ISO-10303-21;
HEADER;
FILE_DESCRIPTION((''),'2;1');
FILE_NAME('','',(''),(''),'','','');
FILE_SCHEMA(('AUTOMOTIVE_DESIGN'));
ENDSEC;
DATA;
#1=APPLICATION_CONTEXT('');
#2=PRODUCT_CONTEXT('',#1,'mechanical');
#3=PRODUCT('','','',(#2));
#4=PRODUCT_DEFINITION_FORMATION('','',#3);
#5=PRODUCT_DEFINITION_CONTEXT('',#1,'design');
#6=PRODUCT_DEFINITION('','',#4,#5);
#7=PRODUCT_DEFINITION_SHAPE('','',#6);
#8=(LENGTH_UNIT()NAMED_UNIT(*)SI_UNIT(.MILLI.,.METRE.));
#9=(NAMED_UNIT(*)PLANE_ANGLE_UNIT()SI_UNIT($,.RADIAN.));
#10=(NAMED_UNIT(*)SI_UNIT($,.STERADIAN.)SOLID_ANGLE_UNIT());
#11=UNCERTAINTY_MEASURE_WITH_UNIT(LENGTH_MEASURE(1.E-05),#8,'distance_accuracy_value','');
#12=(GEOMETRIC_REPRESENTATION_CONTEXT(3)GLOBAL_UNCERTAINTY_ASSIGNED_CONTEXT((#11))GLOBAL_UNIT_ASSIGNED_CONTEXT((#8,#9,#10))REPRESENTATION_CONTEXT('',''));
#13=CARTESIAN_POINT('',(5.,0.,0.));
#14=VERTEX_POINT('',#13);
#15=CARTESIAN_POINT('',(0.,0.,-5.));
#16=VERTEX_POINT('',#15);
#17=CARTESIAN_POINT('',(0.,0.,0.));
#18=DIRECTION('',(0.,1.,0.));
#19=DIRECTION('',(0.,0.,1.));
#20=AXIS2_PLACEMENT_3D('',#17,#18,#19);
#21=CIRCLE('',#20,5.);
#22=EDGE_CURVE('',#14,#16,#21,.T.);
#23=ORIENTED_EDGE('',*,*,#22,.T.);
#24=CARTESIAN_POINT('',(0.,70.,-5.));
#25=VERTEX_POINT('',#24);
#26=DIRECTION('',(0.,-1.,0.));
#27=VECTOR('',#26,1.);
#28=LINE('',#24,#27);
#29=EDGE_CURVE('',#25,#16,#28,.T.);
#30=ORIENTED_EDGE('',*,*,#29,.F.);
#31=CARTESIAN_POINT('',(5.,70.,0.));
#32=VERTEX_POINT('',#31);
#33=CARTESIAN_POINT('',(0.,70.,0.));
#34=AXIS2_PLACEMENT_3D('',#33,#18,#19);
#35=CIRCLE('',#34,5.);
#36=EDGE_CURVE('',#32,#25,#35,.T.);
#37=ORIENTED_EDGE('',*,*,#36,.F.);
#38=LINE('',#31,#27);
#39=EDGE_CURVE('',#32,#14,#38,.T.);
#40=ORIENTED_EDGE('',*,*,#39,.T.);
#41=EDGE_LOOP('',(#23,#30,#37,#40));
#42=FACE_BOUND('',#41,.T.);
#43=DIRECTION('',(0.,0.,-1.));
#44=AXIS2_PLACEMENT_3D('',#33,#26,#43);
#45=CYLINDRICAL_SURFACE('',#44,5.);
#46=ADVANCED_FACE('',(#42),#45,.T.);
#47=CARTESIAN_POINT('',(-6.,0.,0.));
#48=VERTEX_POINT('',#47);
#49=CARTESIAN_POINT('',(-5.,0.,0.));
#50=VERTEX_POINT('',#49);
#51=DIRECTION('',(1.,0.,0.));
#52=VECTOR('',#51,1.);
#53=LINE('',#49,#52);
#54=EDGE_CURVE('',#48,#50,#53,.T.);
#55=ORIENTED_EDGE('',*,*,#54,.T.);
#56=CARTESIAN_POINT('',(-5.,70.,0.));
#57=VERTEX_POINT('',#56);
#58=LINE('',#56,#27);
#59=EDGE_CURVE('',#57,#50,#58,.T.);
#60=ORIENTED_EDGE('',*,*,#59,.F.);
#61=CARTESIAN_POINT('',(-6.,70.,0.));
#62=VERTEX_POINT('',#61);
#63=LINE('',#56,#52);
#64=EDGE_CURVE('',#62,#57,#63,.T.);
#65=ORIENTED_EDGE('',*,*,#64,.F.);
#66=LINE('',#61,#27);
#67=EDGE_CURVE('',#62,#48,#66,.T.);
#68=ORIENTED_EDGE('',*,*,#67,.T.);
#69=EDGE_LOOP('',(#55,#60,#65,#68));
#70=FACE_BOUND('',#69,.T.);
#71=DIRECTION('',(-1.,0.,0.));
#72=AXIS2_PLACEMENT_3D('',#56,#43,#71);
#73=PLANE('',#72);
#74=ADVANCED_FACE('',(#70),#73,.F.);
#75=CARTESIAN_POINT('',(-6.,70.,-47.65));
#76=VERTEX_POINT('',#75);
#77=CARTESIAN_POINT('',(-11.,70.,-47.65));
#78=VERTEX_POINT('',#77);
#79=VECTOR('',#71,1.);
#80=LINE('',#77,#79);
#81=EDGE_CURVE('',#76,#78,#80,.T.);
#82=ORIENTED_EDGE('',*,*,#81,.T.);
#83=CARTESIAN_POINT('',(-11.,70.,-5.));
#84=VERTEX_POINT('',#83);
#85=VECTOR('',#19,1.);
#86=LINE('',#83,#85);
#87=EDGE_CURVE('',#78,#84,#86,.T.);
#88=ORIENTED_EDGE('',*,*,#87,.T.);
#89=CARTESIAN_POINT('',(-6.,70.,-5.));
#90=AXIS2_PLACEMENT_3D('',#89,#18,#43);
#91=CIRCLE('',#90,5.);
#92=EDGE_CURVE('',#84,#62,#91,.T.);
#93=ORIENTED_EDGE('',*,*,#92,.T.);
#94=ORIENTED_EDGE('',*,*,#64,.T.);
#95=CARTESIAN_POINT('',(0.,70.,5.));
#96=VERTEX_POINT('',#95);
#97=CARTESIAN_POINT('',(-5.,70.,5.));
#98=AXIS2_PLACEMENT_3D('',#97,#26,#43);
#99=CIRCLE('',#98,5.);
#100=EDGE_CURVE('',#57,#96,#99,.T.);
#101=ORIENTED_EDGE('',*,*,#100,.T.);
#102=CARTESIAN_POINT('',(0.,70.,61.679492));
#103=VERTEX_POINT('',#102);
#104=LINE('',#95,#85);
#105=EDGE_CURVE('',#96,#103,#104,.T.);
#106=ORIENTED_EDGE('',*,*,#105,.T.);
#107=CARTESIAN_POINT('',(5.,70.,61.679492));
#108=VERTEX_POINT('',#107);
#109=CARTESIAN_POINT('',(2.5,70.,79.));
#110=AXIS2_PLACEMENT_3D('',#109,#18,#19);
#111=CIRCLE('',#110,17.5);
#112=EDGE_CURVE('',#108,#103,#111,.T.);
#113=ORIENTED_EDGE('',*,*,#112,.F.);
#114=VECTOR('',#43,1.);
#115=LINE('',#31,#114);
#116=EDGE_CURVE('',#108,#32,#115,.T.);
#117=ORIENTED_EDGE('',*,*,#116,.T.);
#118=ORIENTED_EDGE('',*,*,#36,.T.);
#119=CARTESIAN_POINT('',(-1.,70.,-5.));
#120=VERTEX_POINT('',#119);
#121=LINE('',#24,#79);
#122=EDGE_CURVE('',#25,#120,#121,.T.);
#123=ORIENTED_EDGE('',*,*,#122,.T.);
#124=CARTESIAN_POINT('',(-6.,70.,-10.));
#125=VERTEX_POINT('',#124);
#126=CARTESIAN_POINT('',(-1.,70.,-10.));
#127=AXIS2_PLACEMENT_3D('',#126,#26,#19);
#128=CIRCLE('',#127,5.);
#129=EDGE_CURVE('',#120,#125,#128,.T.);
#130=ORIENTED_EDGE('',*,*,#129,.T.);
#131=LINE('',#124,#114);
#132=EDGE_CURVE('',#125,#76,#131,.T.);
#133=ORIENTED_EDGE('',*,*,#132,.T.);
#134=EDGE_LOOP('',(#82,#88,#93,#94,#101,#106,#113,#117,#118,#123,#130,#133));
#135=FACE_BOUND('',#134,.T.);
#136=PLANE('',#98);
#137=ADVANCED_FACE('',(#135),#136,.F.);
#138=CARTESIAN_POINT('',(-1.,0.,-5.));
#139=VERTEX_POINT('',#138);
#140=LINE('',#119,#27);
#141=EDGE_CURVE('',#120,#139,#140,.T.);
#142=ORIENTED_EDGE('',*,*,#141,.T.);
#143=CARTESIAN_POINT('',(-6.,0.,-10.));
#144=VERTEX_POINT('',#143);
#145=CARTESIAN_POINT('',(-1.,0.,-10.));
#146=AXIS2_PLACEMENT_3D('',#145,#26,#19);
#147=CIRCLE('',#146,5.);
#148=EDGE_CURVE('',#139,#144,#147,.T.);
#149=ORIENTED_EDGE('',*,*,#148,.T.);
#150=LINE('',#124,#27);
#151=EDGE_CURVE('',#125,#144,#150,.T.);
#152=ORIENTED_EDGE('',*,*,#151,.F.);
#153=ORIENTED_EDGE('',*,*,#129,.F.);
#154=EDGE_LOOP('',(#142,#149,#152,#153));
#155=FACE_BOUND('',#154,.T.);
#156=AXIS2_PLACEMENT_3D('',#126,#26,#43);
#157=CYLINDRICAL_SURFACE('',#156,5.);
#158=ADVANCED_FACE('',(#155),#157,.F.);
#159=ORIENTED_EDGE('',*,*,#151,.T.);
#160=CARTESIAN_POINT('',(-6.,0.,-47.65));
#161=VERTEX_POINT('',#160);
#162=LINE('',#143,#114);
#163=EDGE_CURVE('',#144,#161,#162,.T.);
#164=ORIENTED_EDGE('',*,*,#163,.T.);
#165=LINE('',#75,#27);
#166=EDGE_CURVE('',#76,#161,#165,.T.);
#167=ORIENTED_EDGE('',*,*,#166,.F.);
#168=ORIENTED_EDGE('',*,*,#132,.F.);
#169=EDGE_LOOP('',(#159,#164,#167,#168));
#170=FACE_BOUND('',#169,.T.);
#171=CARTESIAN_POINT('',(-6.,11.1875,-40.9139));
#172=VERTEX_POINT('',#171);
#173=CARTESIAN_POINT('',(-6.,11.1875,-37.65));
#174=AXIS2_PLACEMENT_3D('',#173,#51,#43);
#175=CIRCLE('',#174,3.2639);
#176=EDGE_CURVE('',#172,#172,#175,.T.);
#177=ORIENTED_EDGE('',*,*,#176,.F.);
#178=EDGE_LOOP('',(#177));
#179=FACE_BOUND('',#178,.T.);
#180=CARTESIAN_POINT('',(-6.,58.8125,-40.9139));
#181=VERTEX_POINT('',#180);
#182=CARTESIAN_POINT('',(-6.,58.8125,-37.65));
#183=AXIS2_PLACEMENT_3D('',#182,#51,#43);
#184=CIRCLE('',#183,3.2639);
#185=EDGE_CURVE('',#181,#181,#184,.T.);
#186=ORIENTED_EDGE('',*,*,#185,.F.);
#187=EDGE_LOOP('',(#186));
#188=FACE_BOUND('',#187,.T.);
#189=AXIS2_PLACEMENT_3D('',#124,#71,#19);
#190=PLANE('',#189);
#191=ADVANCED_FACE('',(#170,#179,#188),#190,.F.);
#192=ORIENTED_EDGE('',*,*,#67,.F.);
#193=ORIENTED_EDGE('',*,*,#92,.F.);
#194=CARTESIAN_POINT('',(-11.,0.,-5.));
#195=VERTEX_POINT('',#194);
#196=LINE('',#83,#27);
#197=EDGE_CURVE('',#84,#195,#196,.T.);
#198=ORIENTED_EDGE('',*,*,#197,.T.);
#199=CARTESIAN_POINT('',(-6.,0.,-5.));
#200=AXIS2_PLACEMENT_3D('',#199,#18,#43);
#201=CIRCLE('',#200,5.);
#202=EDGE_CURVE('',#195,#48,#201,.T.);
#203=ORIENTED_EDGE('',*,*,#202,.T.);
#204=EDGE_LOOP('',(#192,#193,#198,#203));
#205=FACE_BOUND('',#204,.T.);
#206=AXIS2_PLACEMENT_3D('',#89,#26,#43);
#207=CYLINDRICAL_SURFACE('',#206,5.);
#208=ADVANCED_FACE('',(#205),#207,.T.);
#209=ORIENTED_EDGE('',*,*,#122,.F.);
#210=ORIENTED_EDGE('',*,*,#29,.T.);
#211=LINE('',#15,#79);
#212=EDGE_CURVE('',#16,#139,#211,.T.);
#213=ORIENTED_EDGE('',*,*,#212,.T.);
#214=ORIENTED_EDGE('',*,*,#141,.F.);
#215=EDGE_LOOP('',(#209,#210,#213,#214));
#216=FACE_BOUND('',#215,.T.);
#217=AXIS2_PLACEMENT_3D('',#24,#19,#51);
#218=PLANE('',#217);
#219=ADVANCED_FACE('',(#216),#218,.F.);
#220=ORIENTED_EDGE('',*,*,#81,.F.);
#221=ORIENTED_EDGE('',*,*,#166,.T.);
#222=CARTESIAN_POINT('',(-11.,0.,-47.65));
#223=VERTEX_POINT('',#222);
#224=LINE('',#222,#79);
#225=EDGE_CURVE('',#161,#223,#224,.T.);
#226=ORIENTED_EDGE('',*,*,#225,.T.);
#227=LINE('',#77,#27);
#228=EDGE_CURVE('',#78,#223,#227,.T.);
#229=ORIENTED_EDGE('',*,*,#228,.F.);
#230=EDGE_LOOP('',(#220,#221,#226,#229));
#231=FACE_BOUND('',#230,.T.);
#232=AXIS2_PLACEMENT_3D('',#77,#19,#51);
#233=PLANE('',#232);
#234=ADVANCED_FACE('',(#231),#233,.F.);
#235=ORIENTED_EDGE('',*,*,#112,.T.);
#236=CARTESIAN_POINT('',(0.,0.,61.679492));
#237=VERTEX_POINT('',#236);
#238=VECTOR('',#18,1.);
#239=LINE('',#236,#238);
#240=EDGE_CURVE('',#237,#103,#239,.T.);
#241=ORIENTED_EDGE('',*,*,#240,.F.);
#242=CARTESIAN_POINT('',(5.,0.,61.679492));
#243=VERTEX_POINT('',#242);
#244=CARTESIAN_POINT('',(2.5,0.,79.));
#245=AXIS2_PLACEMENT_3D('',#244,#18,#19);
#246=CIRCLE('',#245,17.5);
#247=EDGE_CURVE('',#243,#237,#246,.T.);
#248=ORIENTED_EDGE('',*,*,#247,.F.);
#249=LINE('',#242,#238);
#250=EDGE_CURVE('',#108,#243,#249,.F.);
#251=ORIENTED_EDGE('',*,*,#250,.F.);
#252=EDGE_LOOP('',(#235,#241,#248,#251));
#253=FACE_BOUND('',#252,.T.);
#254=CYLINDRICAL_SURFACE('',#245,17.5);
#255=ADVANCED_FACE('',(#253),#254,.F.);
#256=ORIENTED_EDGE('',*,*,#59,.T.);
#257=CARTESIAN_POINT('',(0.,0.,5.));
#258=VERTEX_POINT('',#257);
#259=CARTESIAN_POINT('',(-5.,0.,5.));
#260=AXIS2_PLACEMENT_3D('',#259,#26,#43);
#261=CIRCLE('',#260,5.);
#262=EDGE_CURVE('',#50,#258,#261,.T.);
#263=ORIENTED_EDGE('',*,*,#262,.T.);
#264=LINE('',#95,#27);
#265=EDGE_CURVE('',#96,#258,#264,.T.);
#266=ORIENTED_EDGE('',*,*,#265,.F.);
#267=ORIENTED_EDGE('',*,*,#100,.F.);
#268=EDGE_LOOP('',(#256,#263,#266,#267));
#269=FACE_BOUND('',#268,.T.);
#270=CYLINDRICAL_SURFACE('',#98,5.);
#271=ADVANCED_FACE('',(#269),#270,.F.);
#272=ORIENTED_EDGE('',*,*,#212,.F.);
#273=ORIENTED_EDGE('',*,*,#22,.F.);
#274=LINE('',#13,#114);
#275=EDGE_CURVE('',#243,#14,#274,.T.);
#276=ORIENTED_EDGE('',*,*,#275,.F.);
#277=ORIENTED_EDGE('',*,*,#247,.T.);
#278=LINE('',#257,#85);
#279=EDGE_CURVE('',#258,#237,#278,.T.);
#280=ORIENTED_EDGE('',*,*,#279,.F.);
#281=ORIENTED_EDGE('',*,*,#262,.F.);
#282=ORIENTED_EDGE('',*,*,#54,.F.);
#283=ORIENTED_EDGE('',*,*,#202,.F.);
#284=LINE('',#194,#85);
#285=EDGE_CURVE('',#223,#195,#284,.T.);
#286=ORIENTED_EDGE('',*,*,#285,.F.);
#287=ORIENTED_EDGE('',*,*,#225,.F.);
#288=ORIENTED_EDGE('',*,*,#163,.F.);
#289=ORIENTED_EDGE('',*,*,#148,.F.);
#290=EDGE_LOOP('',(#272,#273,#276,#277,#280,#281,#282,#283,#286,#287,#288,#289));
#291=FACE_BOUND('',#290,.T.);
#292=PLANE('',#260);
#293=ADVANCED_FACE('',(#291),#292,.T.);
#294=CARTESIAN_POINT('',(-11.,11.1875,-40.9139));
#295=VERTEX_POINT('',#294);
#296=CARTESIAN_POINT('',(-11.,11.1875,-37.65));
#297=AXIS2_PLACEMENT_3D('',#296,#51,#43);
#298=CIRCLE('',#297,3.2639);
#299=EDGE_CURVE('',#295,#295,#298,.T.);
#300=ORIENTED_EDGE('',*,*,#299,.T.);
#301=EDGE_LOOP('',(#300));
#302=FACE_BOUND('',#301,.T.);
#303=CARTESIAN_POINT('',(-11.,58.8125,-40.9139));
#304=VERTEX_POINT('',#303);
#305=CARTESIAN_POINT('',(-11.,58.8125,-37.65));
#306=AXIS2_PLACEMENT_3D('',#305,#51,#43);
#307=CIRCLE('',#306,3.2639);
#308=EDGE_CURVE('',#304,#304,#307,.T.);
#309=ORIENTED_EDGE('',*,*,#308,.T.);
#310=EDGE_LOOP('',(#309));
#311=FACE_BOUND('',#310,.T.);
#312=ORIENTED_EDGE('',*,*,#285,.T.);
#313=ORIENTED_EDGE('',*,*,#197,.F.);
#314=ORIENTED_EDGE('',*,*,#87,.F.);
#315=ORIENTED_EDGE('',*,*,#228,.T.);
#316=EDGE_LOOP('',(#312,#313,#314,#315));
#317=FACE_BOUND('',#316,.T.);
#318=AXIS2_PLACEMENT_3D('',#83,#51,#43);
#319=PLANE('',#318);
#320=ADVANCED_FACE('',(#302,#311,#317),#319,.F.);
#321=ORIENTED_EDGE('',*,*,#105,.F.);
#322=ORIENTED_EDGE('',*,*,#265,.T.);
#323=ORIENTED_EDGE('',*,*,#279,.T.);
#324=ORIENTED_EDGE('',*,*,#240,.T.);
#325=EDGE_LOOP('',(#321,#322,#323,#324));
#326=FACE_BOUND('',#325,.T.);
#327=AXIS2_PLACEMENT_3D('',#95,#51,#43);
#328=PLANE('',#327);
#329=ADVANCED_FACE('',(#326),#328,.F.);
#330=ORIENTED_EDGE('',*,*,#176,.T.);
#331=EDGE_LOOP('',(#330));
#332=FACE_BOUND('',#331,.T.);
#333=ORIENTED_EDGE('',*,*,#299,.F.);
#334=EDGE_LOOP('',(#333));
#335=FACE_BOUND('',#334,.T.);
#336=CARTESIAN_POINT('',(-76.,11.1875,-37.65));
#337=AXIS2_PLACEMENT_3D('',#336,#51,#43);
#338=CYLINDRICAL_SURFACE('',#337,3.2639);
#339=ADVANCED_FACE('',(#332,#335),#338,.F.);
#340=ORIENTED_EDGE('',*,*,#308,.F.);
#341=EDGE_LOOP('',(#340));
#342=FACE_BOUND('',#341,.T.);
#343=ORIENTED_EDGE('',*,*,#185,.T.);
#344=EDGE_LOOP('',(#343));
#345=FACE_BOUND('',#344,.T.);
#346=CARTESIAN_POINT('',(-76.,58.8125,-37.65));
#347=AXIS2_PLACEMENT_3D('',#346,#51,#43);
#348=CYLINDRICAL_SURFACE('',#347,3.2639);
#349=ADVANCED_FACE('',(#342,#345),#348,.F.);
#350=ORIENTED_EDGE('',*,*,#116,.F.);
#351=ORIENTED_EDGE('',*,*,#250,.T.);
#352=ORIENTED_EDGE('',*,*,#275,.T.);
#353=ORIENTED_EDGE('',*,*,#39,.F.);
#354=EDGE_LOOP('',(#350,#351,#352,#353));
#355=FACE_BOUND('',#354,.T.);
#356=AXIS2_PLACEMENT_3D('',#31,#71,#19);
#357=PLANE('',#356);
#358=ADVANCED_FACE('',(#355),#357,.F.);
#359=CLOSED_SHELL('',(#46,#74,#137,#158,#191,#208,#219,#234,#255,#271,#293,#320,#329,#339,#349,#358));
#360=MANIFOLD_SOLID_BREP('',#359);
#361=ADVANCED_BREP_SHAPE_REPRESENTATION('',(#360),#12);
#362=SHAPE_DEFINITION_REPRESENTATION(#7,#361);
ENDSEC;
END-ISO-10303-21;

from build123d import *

# Parameters (mm, degrees)
BOSS_EXTRUDE1_DEPTH = 70
SKETCH2_R           = 3.2639
CUT_EXTRUDE1_DEPTH  = 70
SKETCH3_R           = 17.5
CUT_EXTRUDE2_DEPTH  = 71


with BuildPart() as part:
    # Sketch1 → Boss-Extrude1 (new body)
    with BuildSketch(Plane(origin=(0, 0, 0), x_dir=(1, 0, 0), z_dir=(0, 1, 0))):
        with BuildLine():
            Line((0, -5), (0, -85))
            Line((0, -85), (5, -85))
            Line((5, -85), (5, 0))
            ThreePointArc((5, 0), (3.535533906, 3.535533906), (0, 5))
            Line((0, 5), (-1, 5))
            ThreePointArc((-1, 5), (-4.535533906, 6.464466094), (-6, 10))
            Line((-6, 10), (-6, 47.65))
            Line((-6, 47.65), (-11, 47.65))
            Line((-11, 47.65), (-11, 5))
            ThreePointArc((-11, 5), (-9.535533906, 1.464466094), (-6, 0))
            Line((-6, 0), (-5, 0))
            ThreePointArc((-5, 0), (-1.464466094, -1.464466094), (0, -5))
        make_face()
    extrude(amount=BOSS_EXTRUDE1_DEPTH)

    # Sketch2 → Cut-Extrude1 (cut)
    with BuildSketch(Plane(origin=(-6, 0, 0), x_dir=(0, 0, -1), z_dir=(1, 0, 0))):
        with Locations((37.65, 58.8125)):
            Circle(SKETCH2_R)
        with Locations((37.65, 11.1875)):
            Circle(SKETCH2_R)
    extrude(amount=-CUT_EXTRUDE1_DEPTH, mode=Mode.SUBTRACT)

    # Sketch3 → Cut-Extrude2 (cut, through all)
    with BuildSketch(Plane(origin=(0, 70, 0), x_dir=(1, 0, 0), z_dir=(0, 1, 0))):
        with Locations((2.5, -79)):
            Circle(SKETCH3_R)
    extrude(amount=-CUT_EXTRUDE2_DEPTH, mode=Mode.SUBTRACT)


solid = part.part
